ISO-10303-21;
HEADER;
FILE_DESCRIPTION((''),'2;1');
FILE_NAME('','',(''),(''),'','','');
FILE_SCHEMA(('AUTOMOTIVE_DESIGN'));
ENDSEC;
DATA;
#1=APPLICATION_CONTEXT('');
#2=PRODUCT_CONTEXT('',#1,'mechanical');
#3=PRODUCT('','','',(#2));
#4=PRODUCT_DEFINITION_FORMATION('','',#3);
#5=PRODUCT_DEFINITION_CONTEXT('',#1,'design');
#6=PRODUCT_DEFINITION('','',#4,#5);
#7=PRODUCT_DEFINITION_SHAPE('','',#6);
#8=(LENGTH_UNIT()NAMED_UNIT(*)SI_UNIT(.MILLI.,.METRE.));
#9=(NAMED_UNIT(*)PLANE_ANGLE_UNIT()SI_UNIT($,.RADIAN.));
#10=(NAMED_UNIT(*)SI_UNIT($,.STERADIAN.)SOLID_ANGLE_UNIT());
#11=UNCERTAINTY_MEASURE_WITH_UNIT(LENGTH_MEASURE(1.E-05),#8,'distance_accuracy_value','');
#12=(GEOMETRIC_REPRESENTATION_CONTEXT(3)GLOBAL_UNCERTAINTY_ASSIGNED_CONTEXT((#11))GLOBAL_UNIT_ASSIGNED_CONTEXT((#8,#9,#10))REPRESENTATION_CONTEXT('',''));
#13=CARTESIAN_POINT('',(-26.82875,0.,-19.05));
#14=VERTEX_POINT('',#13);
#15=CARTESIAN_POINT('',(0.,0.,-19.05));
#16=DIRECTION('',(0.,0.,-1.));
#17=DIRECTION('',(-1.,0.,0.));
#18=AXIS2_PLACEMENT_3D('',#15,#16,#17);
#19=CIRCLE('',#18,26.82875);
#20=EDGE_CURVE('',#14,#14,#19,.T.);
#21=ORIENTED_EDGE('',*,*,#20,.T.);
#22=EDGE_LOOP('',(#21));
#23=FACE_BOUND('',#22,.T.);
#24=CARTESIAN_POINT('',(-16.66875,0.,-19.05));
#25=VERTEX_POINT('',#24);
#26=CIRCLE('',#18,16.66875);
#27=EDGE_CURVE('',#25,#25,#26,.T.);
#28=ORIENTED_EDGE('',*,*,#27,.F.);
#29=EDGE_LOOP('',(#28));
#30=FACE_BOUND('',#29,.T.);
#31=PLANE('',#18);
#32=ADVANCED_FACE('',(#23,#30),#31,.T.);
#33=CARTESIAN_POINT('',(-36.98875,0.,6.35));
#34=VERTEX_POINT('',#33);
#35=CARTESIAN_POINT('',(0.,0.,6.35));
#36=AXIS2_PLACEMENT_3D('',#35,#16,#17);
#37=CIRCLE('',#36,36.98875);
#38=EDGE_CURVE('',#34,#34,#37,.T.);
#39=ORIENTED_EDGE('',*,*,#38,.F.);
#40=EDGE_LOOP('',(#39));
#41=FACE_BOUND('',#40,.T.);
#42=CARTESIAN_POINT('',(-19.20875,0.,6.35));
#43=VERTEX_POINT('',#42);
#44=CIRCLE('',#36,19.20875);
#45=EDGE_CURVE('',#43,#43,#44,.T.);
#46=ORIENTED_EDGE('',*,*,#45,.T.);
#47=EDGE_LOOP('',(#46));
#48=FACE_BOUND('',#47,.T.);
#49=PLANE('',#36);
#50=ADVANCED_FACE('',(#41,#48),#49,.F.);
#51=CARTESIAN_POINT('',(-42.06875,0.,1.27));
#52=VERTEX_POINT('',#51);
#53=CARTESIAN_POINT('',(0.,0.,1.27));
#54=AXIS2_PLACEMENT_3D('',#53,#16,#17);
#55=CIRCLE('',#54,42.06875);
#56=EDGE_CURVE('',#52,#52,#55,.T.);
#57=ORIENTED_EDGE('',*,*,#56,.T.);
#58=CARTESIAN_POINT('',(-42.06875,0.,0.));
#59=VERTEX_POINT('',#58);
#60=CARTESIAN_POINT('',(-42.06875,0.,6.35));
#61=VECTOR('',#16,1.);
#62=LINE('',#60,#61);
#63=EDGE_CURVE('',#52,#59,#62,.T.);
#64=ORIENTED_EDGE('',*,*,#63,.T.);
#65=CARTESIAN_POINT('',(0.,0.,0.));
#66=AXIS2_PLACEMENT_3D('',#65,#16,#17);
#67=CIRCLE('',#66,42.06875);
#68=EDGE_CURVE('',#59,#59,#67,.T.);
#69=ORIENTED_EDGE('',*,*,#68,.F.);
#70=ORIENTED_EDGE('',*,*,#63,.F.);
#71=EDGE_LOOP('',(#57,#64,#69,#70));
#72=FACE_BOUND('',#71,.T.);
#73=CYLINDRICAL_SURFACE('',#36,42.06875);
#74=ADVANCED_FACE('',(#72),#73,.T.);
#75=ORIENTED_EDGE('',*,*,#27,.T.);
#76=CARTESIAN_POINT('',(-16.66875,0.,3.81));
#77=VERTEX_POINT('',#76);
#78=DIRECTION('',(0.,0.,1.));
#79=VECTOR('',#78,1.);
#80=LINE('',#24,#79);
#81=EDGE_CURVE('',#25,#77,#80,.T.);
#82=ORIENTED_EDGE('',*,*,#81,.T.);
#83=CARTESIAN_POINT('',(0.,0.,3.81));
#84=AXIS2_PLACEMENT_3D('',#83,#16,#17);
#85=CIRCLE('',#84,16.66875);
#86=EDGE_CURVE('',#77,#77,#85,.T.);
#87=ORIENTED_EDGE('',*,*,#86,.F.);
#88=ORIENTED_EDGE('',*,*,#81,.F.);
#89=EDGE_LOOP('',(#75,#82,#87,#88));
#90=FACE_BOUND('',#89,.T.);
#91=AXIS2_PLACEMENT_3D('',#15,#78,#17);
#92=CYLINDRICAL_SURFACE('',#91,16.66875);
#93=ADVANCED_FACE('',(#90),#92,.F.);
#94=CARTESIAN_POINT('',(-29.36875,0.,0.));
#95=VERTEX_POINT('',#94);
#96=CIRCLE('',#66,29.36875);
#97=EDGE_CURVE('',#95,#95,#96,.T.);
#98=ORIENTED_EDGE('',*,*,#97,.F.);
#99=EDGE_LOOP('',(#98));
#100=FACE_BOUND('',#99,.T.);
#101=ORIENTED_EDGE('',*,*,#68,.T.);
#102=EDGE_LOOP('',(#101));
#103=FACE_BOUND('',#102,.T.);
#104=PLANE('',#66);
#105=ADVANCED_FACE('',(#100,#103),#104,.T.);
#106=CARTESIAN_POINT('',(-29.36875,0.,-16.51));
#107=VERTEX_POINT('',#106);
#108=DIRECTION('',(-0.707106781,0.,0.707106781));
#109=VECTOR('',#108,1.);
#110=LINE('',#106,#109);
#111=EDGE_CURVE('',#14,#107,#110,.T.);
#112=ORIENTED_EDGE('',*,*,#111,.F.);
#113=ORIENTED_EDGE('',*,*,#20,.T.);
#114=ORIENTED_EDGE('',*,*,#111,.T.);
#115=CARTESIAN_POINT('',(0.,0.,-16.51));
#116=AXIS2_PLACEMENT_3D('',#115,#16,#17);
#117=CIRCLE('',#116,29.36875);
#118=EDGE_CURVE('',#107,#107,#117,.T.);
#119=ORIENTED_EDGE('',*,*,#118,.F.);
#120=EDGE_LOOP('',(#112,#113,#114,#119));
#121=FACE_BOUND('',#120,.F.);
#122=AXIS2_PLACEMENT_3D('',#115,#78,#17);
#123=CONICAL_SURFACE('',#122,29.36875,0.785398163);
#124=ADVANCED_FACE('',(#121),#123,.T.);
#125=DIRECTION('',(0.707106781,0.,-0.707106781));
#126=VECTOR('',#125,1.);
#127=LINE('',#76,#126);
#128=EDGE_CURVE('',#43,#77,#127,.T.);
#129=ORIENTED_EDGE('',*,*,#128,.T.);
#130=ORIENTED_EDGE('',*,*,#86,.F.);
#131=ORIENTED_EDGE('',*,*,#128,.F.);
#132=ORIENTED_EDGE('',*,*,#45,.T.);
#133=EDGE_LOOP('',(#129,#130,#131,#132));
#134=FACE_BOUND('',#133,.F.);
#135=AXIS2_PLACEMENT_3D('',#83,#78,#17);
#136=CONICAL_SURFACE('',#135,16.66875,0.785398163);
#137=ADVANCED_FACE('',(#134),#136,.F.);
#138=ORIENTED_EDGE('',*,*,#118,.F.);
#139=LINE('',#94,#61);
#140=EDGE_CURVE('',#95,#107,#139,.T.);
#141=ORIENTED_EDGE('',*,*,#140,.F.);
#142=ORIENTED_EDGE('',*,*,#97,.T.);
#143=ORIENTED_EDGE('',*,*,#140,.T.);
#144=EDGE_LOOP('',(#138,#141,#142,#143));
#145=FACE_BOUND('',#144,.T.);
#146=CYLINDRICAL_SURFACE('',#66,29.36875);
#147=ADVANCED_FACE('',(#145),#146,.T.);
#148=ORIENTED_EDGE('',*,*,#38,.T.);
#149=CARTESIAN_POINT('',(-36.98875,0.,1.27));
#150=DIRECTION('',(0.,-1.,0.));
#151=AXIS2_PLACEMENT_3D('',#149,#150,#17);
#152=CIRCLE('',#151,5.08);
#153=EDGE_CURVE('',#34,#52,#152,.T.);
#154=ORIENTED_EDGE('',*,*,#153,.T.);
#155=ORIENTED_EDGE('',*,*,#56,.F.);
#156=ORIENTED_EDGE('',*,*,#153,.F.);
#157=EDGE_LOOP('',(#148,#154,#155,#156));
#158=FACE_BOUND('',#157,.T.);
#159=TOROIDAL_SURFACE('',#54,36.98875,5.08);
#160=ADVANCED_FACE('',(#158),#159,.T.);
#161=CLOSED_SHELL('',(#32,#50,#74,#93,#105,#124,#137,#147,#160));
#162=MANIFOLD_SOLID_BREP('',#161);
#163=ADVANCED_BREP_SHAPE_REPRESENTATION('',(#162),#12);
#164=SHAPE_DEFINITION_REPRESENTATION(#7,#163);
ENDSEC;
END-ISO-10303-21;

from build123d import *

# Parameters (mm, degrees)
F2_R    = 5.08
F3_SIZE = 2.54
F4_SIZE = 2.54


with BuildPart() as f1:
    # F0 (on Front) → F1 (revolve)
    with BuildSketch(Plane.XZ):
        Polygon((-42.06875, 0), (-29.36875, 0), (-29.36875, -19.05), (-16.66875, -19.05), (-16.66875, 6.35), (-42.06875, 6.35), align=None)
    revolve(axis=Axis((0, 0, -9.525), (0, 0, -1)))

    # F2
    f2_edges = [f1.edges().sort_by_distance(p)[0] for p in [
        (42.06875, 0, 6.35),
    ]]
    fillet(f2_edges, radius=F2_R)

    # F3
    f3_edges = [f1.edges().sort_by_distance(p)[0] for p in [
        (16.66875, 0, 6.35),
    ]]
    chamfer(f3_edges, length=F3_SIZE)

    # F4
    f4_edges = [f1.edges().sort_by_distance(p)[0] for p in [
        (29.36875, 0, -19.05),
    ]]
    chamfer(f4_edges, length=F4_SIZE)


solid = f1.part
